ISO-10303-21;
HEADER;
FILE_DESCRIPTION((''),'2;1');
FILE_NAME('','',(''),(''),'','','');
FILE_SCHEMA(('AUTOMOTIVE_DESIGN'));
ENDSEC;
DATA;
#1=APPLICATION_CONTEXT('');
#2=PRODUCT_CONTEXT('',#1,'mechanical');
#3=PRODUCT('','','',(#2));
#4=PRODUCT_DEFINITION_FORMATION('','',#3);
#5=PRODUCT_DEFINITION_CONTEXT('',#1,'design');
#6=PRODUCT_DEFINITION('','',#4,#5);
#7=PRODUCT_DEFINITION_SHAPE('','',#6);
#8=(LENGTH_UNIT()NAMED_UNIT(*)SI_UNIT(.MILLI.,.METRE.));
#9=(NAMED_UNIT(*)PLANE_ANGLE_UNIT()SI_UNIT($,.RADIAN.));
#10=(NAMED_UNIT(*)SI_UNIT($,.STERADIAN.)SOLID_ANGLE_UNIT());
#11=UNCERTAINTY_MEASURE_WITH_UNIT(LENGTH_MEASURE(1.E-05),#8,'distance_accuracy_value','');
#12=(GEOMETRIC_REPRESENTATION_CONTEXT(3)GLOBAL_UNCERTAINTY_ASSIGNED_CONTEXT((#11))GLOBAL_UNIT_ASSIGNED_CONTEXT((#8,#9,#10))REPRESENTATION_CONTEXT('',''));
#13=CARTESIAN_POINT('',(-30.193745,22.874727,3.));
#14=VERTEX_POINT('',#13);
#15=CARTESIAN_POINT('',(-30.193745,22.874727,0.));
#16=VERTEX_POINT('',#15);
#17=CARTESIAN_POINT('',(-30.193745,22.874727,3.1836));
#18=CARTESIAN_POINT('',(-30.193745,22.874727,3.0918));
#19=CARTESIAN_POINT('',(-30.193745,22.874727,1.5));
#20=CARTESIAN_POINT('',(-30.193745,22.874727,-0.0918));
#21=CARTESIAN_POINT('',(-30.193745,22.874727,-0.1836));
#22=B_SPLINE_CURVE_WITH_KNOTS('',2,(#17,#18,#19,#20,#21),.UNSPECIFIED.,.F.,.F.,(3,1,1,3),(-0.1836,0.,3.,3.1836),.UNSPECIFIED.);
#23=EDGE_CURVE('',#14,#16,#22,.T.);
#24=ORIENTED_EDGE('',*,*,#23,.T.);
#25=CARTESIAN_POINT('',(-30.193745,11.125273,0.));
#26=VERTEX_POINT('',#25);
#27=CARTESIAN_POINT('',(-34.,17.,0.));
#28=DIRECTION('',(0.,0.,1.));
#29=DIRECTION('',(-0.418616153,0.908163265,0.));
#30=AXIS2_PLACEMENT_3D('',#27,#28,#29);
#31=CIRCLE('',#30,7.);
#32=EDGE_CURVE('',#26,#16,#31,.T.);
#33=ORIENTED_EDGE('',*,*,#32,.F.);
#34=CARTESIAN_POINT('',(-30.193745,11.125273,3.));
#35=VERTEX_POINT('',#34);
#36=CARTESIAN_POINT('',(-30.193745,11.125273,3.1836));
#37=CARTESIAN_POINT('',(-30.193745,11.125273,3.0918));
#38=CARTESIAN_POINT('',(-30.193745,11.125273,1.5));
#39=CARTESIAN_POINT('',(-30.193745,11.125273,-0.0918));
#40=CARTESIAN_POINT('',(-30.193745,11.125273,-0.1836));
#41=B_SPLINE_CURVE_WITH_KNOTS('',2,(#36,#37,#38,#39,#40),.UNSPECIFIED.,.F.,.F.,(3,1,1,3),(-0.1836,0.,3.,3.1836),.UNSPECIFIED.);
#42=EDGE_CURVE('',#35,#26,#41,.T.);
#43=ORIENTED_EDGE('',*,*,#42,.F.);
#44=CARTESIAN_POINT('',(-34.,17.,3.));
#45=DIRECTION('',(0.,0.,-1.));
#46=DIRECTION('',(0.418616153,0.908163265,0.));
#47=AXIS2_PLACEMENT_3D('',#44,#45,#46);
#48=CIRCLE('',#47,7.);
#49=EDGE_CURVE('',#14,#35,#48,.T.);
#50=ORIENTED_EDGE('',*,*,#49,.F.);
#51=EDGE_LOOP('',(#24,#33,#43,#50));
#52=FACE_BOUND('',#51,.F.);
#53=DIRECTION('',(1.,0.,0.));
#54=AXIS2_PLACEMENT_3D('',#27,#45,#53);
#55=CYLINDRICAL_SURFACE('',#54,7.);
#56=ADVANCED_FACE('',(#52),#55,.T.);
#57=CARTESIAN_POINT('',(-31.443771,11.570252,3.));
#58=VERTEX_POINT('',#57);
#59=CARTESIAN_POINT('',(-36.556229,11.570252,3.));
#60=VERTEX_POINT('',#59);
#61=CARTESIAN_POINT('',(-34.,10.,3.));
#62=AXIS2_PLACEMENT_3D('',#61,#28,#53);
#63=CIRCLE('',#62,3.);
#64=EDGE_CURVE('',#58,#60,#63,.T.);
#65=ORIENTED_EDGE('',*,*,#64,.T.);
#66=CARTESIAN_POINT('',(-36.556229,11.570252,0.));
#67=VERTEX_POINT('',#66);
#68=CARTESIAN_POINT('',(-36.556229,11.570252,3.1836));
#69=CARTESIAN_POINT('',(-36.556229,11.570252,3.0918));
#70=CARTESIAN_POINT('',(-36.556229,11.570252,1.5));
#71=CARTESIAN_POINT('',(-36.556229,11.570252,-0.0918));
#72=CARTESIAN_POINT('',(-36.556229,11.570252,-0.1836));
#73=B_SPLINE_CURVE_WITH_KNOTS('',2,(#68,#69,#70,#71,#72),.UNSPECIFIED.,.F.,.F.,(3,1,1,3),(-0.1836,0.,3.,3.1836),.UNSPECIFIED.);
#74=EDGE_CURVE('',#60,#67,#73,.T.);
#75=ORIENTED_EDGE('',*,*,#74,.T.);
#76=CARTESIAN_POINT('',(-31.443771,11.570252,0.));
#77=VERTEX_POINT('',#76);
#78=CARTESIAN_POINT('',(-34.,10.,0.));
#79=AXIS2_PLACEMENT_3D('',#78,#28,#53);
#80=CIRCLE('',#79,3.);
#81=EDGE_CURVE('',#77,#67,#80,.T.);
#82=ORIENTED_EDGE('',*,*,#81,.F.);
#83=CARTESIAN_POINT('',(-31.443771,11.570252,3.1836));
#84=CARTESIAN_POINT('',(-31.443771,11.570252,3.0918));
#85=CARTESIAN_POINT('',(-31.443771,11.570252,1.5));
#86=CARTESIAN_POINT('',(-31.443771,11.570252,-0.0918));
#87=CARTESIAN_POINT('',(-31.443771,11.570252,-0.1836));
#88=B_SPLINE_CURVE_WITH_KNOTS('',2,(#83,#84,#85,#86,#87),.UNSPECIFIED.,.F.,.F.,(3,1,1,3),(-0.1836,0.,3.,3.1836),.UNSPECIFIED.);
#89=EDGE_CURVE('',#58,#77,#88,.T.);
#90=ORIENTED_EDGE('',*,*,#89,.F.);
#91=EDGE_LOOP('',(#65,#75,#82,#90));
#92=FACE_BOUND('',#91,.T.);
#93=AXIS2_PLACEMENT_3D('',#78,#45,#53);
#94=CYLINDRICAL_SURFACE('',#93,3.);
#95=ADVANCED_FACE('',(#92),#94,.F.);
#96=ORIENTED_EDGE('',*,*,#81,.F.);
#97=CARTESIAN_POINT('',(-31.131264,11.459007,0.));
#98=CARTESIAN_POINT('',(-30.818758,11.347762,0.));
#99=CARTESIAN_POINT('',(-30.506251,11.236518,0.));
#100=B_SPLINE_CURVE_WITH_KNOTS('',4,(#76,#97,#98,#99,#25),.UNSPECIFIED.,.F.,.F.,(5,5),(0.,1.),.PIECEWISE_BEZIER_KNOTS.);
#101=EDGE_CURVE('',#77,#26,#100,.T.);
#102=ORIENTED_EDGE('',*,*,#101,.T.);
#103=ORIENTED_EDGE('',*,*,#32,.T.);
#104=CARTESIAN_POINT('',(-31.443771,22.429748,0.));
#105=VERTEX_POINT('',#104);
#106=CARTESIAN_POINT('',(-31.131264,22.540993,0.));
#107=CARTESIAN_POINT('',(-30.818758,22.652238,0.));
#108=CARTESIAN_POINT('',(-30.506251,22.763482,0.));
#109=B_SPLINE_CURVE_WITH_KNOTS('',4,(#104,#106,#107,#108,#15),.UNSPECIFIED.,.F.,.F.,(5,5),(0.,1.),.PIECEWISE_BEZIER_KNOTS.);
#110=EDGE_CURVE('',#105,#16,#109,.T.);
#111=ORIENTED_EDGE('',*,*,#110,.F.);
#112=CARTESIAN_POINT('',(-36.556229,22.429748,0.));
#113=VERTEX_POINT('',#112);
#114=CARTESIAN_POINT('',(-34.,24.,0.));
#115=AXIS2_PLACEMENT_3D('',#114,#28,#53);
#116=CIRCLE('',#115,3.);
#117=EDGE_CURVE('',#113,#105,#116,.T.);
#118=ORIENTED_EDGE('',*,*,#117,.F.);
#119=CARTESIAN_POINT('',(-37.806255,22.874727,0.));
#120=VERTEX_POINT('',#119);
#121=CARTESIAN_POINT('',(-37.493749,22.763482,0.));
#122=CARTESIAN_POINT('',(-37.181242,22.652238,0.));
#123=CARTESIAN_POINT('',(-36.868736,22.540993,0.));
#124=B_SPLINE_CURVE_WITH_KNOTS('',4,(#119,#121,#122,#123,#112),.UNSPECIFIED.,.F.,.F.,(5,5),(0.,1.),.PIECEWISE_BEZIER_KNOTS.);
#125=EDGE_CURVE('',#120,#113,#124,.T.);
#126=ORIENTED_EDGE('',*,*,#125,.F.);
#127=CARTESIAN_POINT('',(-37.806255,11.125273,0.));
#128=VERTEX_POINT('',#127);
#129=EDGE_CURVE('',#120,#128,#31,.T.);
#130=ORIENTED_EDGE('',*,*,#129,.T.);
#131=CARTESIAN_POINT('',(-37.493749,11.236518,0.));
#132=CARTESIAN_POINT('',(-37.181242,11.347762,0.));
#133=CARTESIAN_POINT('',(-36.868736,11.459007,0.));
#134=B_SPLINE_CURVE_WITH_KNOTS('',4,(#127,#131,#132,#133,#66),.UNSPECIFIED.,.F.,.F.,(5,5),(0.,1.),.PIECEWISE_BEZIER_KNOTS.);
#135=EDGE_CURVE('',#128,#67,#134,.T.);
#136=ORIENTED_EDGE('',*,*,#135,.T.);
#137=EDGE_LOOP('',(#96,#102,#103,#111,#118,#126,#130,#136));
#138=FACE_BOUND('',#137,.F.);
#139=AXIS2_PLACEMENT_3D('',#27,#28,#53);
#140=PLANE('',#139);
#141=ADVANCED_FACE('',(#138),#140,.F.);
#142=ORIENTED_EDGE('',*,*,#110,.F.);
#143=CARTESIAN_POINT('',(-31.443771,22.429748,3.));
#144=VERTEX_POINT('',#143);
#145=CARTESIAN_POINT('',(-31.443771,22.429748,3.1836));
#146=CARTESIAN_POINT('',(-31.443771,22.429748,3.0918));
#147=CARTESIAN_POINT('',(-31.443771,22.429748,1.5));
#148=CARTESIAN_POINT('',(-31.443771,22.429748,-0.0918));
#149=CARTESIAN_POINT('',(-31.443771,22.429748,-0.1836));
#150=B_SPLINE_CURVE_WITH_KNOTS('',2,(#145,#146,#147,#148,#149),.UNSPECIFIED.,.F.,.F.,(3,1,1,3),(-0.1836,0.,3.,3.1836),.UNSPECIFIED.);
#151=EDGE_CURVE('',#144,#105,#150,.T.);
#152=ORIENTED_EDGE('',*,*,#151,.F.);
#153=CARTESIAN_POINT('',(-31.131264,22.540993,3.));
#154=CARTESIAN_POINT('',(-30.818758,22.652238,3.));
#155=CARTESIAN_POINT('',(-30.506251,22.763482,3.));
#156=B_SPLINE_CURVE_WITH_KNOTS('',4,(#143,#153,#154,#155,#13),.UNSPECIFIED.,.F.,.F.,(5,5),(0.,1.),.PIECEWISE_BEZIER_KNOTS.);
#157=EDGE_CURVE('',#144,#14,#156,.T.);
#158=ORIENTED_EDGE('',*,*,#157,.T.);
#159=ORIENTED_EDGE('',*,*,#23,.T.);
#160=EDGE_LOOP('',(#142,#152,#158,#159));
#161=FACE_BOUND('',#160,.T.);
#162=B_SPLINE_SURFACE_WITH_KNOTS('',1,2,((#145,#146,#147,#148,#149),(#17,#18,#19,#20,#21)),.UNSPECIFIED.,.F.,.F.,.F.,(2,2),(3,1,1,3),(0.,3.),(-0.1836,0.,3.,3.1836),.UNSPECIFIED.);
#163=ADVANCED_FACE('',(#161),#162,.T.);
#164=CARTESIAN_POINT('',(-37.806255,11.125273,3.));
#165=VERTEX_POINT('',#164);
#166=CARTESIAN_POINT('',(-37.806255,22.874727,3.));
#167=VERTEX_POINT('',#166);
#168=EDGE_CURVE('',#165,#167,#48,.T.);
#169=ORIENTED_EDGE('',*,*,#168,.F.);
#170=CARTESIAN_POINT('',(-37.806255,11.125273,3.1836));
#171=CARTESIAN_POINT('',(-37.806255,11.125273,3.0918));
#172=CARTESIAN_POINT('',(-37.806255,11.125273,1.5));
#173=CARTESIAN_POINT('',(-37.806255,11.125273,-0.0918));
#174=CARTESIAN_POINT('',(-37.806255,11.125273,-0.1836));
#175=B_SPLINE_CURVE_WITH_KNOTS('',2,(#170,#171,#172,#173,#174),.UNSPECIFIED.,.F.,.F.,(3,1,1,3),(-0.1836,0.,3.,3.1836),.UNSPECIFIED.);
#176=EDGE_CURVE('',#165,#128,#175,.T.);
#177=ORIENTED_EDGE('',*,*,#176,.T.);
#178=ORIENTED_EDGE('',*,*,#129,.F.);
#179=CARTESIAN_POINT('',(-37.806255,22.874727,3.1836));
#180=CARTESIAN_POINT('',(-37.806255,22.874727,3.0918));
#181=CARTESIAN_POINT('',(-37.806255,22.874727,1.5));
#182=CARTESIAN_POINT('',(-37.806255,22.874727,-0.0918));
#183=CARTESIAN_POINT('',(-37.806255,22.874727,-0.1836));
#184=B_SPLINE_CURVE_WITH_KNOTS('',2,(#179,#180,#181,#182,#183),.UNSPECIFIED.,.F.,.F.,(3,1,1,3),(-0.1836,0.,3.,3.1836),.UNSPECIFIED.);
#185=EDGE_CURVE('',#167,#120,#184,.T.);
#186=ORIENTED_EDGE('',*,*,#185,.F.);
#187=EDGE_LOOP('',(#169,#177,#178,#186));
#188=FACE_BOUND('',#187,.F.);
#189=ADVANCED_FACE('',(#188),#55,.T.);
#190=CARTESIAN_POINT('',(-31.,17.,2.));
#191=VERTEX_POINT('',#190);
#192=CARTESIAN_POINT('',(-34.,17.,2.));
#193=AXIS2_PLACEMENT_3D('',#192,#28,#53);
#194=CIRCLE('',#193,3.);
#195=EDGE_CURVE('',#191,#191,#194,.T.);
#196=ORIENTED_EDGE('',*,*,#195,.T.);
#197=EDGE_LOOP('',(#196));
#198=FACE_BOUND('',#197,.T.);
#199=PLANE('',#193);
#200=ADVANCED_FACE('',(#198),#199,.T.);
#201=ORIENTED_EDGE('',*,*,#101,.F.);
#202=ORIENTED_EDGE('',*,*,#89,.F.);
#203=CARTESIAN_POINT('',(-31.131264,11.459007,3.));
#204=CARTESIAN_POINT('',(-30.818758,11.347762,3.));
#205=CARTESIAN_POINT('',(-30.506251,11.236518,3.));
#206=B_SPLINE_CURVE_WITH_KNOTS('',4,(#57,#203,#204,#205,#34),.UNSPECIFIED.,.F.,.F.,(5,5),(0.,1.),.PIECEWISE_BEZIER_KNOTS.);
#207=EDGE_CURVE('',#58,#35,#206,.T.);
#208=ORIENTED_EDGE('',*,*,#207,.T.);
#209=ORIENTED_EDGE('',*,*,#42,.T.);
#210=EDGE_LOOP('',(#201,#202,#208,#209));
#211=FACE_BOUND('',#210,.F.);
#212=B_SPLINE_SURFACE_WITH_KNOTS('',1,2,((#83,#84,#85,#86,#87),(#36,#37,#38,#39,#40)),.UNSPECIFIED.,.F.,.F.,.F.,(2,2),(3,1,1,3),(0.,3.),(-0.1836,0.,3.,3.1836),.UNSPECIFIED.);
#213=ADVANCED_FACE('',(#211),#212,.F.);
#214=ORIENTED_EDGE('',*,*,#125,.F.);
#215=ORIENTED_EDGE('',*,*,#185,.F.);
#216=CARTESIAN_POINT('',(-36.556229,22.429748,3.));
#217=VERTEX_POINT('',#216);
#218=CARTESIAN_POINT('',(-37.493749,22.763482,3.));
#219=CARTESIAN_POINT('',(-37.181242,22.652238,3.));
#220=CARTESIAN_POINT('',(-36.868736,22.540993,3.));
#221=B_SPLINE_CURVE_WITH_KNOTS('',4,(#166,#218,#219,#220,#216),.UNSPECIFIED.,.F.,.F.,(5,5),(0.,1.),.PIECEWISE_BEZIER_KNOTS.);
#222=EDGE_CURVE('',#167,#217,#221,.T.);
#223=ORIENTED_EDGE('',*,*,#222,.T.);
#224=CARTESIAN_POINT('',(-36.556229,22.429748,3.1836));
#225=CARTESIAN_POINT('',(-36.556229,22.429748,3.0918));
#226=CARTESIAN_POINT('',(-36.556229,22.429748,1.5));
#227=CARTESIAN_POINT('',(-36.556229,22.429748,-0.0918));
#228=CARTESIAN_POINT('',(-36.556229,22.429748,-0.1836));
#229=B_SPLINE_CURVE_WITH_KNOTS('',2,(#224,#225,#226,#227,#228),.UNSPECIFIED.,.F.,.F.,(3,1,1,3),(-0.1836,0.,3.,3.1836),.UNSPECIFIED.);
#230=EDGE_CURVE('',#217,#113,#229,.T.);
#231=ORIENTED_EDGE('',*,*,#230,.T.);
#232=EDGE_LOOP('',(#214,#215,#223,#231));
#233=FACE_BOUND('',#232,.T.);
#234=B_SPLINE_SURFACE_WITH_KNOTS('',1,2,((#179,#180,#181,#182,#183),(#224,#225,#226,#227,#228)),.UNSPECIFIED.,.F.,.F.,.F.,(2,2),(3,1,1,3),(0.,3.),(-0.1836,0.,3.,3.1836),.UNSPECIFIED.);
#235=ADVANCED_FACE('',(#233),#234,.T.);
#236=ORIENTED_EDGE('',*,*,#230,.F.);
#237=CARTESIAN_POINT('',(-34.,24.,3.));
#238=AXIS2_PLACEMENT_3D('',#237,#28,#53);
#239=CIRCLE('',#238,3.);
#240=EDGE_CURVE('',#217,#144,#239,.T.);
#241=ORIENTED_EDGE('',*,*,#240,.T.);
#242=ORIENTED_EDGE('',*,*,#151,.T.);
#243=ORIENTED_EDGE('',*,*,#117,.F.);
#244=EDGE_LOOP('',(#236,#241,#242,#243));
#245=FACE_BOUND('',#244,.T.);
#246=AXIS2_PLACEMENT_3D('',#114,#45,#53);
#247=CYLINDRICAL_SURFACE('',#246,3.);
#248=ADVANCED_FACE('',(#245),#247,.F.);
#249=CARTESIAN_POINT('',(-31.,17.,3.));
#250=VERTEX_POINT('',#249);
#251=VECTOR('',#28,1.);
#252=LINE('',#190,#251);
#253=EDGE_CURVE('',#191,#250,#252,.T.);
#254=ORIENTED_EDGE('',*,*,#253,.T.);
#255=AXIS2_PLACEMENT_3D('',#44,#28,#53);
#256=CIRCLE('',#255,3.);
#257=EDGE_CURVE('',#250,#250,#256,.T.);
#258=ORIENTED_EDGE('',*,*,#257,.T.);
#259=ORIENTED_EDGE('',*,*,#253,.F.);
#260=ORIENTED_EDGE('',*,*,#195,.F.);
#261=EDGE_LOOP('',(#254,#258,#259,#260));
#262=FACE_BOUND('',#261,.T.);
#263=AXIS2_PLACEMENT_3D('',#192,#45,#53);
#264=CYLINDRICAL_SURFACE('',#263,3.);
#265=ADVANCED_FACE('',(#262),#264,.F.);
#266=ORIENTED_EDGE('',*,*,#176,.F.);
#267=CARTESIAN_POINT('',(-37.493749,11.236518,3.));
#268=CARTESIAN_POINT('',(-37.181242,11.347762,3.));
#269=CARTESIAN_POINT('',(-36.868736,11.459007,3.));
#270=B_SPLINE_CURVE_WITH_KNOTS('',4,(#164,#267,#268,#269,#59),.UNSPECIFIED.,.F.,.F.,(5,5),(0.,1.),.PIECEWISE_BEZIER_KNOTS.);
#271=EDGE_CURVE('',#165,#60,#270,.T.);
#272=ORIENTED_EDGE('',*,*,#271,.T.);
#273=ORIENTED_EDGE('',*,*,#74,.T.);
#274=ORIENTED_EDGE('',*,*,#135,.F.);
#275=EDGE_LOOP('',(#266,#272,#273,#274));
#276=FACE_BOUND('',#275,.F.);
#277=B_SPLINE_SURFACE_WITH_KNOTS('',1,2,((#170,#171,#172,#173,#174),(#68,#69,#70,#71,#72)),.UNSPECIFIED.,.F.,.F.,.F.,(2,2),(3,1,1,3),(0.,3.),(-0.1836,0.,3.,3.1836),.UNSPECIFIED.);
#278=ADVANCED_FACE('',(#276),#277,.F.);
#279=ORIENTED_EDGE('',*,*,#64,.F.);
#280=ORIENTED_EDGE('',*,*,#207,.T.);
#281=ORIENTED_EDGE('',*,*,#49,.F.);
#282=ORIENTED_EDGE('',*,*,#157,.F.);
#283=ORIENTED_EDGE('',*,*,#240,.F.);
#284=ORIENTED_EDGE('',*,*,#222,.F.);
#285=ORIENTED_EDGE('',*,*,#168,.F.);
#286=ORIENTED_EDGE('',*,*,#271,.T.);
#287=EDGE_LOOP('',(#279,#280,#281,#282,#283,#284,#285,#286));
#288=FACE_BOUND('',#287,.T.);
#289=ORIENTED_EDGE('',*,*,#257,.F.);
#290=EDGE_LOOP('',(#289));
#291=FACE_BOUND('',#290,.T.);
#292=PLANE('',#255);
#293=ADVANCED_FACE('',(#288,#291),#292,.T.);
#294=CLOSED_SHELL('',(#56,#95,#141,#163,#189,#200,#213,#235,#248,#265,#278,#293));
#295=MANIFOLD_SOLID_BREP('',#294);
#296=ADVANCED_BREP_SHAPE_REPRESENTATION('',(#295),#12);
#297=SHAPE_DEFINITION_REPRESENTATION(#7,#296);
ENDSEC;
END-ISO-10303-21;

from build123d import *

# Parameters (mm, degrees)
CYLINDER001_R     = 3
CYLINDER001_DEPTH = 1
CYLINDER004_R     = 3
CYLINDER004_DEPTH = 3
CYLINDER003_R     = 3
CYLINDER003_DEPTH = 3
CYLINDER002_R     = 7
CYLINDER002_DEPTH = 3
CHAMFER_SIZE      = 1


with BuildPart() as cilindro001:
    # Cylinder001 → Cylinder001 (new body)
    with BuildSketch(Plane(origin=(4, 16, -1), x_dir=(1, 0, 0), z_dir=(0, 0, 1))):
        Circle(CYLINDER001_R)
    extrude(amount=CYLINDER001_DEPTH)


with BuildPart() as cilindro004:
    # Cylinder004 → Cylinder004 (new body)
    with BuildSketch(Plane(origin=(4, 9, -3), x_dir=(1, 0, 0), z_dir=(0, 0, 1))):
        Circle(CYLINDER004_R)
    extrude(amount=CYLINDER004_DEPTH)


with BuildPart() as cilindro003:
    # Cylinder003 → Cylinder003 (new body)
    with BuildSketch(Plane(origin=(4, 23, -3), x_dir=(1, 0, 0), z_dir=(0, 0, 1))):
        Circle(CYLINDER003_R)
    extrude(amount=CYLINDER003_DEPTH)


with BuildPart() as chamfer_body:
    # Cylinder002 → Cylinder002 (new body)
    with BuildSketch(Plane(origin=(4, 16, -3), x_dir=(1, 0, 0), z_dir=(0, 0, 1))):
        Circle(CYLINDER002_R)
    extrude(amount=CYLINDER002_DEPTH)

    # Cut003: cut Cilindro003
    add(cilindro003.part, mode=Mode.SUBTRACT)

    # Cut004: cut Cilindro004
    add(cilindro004.part, mode=Mode.SUBTRACT)

    # Cut005: cut Cilindro001
    add(cilindro001.part, mode=Mode.SUBTRACT)

    # Chamfer
    chamfer_edges = [chamfer_body.edges().sort_by_distance(p)[0] for p in [
        (6.930313, 22.357143, -1.5),
        (1.069687, 22.357143, -1.5),
        (6.930313, 9.642857, -1.5),
        (1.069687, 9.642857, -1.5),
    ]]
    chamfer(chamfer_edges, length=CHAMFER_SIZE)


with BuildPart() as chamfer_body_1:
    # Chamfer placement: moved
    add(chamfer_body.part.moved(Location((-38, 1, 3))))


solid = chamfer_body_1.part
